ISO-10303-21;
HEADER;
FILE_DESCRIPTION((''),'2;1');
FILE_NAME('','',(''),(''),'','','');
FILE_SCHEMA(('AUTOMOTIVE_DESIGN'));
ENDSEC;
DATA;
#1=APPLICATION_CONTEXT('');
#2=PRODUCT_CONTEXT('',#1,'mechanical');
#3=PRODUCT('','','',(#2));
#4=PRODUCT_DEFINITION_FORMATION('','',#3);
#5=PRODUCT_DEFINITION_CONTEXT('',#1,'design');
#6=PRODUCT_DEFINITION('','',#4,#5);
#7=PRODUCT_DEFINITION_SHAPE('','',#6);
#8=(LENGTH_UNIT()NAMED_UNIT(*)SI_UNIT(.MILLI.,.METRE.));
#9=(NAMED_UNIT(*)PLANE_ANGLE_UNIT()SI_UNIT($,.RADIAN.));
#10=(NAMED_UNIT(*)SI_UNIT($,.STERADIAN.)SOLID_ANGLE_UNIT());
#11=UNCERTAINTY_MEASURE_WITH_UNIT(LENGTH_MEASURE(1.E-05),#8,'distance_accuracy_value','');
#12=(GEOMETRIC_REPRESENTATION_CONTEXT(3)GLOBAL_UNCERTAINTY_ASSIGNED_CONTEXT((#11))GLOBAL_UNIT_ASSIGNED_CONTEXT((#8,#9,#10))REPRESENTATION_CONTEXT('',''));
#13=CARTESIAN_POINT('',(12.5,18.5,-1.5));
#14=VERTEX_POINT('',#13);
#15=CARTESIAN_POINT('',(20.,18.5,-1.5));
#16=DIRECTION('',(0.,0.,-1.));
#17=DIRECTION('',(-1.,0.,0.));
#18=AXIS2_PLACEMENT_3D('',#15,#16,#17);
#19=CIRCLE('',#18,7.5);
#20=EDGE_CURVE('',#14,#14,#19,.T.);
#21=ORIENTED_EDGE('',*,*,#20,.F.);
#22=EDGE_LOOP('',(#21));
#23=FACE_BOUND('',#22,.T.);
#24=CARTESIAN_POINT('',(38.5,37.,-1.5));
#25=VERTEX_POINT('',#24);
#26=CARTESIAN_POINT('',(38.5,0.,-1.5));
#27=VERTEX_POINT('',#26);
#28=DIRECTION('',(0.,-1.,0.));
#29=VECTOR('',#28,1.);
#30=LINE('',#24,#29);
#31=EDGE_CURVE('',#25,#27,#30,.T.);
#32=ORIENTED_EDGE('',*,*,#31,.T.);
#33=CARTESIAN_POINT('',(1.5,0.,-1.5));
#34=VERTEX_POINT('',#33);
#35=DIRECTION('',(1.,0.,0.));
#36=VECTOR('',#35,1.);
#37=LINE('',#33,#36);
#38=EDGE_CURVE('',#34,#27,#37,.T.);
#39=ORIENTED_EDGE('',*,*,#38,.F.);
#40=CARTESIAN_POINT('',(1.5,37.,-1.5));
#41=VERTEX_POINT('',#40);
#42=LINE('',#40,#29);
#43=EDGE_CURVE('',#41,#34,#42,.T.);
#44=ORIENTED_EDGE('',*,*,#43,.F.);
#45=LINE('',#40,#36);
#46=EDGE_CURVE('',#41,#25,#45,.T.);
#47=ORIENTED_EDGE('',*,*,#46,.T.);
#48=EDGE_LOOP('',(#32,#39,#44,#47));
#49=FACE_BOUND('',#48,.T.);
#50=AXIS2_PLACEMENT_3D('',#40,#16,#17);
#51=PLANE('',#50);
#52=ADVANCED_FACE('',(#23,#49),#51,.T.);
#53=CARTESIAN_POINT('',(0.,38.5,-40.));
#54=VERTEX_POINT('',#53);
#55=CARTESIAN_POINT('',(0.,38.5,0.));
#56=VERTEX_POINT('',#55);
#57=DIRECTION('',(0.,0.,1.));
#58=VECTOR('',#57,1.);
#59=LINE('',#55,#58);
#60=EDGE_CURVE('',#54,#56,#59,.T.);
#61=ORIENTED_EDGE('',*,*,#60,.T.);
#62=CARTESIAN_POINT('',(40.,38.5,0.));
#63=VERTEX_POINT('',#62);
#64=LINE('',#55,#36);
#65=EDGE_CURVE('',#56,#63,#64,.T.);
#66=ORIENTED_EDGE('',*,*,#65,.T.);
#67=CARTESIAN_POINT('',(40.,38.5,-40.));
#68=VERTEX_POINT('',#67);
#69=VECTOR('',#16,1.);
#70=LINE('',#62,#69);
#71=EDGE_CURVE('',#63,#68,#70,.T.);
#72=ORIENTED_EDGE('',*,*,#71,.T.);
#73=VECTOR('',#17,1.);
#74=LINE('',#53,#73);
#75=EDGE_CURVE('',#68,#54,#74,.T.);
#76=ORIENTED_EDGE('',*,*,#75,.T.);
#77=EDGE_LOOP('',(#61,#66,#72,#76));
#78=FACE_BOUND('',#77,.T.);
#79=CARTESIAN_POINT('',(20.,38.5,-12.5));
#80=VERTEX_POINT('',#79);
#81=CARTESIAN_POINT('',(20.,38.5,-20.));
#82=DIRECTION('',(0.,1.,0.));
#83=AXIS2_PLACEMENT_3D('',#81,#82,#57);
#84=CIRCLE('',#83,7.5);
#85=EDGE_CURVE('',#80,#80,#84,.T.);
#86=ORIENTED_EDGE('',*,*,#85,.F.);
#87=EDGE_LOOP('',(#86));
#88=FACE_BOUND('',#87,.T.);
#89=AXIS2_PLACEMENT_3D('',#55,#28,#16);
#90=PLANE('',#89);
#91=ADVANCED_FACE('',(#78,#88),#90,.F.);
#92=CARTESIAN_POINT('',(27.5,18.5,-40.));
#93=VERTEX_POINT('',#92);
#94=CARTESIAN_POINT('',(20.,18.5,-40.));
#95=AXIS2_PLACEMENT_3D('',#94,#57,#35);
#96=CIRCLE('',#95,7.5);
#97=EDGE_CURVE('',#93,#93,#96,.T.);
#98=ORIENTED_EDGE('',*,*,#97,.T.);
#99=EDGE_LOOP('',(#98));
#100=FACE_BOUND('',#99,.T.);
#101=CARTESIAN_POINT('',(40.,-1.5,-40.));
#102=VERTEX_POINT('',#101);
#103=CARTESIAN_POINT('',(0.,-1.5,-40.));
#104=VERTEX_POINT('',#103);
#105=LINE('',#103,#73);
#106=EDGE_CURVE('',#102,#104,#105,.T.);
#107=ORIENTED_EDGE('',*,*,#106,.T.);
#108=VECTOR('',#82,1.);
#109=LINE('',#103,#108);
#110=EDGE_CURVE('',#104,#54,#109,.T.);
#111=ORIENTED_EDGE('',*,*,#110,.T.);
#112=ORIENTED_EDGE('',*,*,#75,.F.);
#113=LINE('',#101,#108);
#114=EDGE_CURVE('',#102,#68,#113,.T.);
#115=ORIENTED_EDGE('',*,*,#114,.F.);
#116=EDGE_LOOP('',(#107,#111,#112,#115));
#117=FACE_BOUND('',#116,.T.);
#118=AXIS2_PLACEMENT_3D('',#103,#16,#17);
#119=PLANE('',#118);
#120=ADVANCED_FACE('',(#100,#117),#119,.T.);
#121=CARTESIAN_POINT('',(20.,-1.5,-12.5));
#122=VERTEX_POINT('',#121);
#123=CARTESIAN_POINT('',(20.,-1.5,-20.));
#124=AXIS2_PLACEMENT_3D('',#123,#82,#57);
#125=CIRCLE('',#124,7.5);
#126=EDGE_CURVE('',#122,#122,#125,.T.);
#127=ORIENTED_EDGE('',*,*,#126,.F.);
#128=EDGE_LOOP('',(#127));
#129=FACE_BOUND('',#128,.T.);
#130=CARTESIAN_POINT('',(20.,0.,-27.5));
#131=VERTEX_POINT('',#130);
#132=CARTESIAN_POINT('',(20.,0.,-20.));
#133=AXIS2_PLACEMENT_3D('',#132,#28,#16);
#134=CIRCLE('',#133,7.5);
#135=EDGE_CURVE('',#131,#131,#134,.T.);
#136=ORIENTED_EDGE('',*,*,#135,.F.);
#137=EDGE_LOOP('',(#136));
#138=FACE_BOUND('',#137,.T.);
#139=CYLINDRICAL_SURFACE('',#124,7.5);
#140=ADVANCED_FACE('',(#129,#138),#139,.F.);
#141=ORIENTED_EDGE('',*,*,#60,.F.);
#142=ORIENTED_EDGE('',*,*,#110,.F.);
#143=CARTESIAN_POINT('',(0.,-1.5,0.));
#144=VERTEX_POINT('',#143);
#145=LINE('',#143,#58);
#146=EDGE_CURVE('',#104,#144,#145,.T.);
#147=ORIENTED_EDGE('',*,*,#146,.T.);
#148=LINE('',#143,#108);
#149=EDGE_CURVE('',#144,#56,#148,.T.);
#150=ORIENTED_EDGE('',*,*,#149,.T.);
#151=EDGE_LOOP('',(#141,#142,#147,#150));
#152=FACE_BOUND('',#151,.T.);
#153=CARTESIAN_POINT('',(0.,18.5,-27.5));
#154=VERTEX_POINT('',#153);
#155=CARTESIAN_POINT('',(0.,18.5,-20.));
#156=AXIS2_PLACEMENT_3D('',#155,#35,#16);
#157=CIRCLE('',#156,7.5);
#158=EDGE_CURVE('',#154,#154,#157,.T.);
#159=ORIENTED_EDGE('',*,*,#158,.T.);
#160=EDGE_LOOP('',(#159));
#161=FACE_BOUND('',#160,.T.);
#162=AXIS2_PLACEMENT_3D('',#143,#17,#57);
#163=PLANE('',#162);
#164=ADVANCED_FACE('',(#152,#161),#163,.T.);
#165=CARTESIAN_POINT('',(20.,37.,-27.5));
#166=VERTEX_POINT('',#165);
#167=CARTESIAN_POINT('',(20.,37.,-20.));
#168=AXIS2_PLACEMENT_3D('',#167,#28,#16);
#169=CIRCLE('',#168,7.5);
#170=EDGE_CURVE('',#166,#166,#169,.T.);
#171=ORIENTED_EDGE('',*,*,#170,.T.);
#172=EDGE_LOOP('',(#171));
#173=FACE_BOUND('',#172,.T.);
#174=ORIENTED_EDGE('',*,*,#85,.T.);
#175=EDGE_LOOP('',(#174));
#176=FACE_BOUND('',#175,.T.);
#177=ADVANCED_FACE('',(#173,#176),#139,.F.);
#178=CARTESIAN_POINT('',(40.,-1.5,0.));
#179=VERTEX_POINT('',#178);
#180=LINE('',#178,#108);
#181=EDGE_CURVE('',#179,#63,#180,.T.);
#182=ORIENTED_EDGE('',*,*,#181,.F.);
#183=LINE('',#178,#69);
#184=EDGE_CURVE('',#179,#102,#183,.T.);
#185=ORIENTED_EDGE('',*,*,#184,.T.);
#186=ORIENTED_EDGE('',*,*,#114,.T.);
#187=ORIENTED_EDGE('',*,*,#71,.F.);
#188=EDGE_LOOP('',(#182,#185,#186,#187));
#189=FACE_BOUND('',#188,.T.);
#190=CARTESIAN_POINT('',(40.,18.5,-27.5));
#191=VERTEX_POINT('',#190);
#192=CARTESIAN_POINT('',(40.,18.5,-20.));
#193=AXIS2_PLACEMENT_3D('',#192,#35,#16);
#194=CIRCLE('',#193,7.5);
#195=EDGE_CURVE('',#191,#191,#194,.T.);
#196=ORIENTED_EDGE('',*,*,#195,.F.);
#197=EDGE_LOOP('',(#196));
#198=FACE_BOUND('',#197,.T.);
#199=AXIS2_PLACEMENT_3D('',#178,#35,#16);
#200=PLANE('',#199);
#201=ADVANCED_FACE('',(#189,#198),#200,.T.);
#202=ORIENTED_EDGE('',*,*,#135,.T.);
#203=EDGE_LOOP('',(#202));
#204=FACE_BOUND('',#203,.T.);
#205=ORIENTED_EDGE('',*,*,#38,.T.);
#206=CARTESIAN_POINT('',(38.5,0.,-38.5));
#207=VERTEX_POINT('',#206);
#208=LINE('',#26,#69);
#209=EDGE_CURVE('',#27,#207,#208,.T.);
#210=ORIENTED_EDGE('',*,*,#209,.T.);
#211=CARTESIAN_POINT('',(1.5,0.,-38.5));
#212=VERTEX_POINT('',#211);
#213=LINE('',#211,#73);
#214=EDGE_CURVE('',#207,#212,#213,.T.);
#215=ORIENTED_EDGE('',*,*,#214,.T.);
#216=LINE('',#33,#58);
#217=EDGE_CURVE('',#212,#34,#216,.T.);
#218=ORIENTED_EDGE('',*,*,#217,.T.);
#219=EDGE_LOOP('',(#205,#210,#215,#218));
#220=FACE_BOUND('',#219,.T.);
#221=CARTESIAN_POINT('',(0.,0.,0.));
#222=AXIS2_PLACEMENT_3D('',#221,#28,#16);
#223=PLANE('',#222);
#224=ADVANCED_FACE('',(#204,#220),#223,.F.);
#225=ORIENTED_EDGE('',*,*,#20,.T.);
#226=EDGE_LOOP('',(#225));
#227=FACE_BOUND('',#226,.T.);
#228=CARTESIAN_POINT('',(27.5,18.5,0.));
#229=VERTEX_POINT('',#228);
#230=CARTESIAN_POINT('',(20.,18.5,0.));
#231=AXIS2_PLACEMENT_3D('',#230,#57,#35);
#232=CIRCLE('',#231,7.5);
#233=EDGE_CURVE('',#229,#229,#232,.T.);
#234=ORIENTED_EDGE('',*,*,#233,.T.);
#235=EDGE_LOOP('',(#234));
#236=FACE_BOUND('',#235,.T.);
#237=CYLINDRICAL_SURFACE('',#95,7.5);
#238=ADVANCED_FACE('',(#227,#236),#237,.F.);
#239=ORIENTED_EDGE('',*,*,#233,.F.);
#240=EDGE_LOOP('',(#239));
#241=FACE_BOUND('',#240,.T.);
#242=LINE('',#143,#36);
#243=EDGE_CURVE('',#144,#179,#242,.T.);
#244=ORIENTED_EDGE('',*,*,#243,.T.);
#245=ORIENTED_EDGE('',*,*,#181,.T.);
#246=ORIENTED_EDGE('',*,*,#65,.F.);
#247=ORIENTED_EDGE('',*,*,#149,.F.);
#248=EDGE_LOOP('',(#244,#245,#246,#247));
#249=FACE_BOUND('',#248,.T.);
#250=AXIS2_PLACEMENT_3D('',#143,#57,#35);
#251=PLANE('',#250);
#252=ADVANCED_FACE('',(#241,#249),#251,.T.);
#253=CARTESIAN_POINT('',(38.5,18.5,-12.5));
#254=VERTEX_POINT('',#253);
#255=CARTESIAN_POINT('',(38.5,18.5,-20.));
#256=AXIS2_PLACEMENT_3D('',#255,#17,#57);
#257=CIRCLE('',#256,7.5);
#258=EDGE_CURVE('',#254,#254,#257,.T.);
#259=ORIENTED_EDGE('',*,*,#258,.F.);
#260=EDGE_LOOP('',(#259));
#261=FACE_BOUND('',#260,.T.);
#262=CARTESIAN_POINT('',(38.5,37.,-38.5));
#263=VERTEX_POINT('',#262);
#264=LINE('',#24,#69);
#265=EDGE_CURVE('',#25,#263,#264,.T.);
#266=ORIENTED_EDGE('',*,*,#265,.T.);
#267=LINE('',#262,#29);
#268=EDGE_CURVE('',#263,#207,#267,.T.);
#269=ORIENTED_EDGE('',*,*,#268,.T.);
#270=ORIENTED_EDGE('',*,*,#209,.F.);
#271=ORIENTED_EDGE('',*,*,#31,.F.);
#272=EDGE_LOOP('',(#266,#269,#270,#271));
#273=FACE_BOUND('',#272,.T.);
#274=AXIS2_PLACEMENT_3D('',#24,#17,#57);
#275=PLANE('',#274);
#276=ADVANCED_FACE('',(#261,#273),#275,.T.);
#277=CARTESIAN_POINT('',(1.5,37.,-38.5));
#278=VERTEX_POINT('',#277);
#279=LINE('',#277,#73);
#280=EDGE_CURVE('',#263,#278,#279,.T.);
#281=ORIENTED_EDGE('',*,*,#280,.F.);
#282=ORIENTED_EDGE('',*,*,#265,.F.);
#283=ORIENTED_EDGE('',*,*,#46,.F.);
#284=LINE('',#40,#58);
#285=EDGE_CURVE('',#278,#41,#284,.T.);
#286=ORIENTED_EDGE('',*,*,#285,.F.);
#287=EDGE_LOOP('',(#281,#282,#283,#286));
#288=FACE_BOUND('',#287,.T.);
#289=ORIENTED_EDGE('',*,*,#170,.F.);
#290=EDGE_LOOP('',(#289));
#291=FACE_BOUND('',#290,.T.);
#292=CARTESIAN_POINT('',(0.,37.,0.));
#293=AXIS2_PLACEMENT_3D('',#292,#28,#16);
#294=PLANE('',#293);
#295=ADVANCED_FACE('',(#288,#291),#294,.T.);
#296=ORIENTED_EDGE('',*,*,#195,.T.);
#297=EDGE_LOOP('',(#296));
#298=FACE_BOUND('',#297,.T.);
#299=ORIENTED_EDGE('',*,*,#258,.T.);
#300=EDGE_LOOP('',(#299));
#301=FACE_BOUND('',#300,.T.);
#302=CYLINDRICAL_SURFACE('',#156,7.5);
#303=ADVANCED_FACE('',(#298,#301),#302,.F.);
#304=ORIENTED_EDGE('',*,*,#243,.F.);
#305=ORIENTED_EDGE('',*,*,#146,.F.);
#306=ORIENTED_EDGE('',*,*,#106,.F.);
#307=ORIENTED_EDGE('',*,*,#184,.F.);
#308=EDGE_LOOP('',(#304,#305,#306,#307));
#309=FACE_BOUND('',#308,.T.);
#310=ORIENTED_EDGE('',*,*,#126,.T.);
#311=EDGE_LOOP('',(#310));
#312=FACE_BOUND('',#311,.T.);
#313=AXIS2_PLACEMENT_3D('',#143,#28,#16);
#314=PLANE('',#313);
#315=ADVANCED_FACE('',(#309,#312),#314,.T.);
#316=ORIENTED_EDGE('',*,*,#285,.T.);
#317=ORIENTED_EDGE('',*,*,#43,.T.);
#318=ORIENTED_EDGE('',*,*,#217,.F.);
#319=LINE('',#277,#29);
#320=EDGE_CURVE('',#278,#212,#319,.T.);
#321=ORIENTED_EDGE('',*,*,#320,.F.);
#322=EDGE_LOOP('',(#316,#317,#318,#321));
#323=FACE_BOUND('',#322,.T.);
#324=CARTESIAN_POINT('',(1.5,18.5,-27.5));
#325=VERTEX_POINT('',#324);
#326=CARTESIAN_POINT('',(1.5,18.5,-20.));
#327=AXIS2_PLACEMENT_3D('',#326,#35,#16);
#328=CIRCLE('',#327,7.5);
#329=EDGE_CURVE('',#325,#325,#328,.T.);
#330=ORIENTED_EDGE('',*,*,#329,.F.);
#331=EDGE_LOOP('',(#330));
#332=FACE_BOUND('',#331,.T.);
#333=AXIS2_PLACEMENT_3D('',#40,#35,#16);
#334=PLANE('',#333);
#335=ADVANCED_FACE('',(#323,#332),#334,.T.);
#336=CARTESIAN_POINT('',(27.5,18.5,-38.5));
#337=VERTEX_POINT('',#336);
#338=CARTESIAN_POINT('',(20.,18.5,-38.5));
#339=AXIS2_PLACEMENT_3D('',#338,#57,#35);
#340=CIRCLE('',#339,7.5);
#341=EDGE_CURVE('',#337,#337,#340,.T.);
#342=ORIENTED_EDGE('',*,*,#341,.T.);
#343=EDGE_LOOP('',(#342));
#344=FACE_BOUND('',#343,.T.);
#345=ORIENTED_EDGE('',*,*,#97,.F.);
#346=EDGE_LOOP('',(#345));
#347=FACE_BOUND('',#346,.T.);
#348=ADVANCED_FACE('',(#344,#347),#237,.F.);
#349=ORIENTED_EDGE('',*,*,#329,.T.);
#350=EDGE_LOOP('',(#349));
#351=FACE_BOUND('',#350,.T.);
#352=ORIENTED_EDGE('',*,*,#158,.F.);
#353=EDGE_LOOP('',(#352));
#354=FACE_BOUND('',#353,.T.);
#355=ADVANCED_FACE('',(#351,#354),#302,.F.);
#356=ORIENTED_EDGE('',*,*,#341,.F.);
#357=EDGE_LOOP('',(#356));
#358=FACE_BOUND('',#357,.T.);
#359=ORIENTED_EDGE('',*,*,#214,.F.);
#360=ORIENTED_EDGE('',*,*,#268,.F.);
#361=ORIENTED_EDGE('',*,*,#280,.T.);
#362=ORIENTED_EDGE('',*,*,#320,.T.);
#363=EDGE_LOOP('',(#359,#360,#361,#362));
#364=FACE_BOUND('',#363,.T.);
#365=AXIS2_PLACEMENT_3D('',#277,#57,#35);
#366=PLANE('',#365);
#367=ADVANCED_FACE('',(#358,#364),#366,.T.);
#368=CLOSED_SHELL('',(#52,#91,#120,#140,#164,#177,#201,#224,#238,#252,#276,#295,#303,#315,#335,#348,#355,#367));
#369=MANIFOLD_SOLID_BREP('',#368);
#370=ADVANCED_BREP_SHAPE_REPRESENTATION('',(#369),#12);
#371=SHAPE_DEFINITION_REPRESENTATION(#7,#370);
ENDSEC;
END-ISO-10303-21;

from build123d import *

# Parameters (mm, degrees)
SKETCH1_W           = 40
SKETCH1_H           = 40
BOSS_EXTRUDE2_DEPTH = 1.5
SKETCH2_W           = 40
SKETCH2_H           = 40
SKETCH2_W_2         = 37
SKETCH2_H_2         = 37
BOSS_EXTRUDE3_DEPTH = 37
SKETCH3_W           = 40
SKETCH3_H           = 40
BOSS_EXTRUDE4_DEPTH = 1.5
SKETCH4_R           = 7.5
CUT_EXTRUDE1_DEPTH  = 70.282032303
SKETCH5_R           = 7.5
CUT_EXTRUDE2_DEPTH  = 69.426968368
SKETCH6_R           = 7.5
CUT_EXTRUDE3_DEPTH  = 69.426968368


with BuildPart() as part:
    # Sketch1 → Boss-Extrude2 (new body)
    with BuildSketch(Plane(origin=(0, 0, 0), x_dir=(1, 0, 0), z_dir=(0, 1, 0))):
        with Locations((20, 20)):
            Rectangle(SKETCH1_W, SKETCH1_H)
    extrude(amount=-BOSS_EXTRUDE2_DEPTH)

    # Sketch2 → Boss-Extrude3 (add)
    with BuildSketch(Plane(origin=(0, 0, 0), x_dir=(1, 0, 0), z_dir=(0, 1, 0))):
        with Locations((20, 20)):
            Rectangle(SKETCH2_W, SKETCH2_H)
        with Locations((20, 20)):
            Rectangle(SKETCH2_W_2, SKETCH2_H_2, mode=Mode.SUBTRACT)
    extrude(amount=BOSS_EXTRUDE3_DEPTH)

    # Sketch3 → Boss-Extrude4 (add)
    with BuildSketch(Plane(origin=(0, 37, 0), x_dir=(1, 0, 0), z_dir=(0, 1, 0))):
        with Locations((20, 20)):
            Rectangle(SKETCH3_W, SKETCH3_H)
    extrude(amount=BOSS_EXTRUDE4_DEPTH)

    # Sketch4 → Cut-Extrude1 (cut, through all)
    with BuildSketch(Plane(origin=(0, 38.5, 0), x_dir=(1, 0, 0), z_dir=(0, 1, 0))):
        with Locations(Location((20, 20, 0), (0, 0, 270))):
            Circle(SKETCH4_R)
    extrude(amount=-CUT_EXTRUDE1_DEPTH, mode=Mode.SUBTRACT)

    # Sketch5 → Cut-Extrude2 (cut, through all)
    with BuildSketch(Plane(origin=(40, 0, 0), x_dir=(0, 0, -1), z_dir=(1, 0, 0))):
        with Locations((20, 18.5)):
            Circle(SKETCH5_R)
    extrude(amount=-CUT_EXTRUDE2_DEPTH, mode=Mode.SUBTRACT)

    # Sketch6 → Cut-Extrude3 (cut, through all)
    with BuildSketch(Plane.XY):
        with Locations((20, 18.5)):
            Circle(SKETCH6_R)
    extrude(amount=-CUT_EXTRUDE3_DEPTH, mode=Mode.SUBTRACT)


solid = part.part
